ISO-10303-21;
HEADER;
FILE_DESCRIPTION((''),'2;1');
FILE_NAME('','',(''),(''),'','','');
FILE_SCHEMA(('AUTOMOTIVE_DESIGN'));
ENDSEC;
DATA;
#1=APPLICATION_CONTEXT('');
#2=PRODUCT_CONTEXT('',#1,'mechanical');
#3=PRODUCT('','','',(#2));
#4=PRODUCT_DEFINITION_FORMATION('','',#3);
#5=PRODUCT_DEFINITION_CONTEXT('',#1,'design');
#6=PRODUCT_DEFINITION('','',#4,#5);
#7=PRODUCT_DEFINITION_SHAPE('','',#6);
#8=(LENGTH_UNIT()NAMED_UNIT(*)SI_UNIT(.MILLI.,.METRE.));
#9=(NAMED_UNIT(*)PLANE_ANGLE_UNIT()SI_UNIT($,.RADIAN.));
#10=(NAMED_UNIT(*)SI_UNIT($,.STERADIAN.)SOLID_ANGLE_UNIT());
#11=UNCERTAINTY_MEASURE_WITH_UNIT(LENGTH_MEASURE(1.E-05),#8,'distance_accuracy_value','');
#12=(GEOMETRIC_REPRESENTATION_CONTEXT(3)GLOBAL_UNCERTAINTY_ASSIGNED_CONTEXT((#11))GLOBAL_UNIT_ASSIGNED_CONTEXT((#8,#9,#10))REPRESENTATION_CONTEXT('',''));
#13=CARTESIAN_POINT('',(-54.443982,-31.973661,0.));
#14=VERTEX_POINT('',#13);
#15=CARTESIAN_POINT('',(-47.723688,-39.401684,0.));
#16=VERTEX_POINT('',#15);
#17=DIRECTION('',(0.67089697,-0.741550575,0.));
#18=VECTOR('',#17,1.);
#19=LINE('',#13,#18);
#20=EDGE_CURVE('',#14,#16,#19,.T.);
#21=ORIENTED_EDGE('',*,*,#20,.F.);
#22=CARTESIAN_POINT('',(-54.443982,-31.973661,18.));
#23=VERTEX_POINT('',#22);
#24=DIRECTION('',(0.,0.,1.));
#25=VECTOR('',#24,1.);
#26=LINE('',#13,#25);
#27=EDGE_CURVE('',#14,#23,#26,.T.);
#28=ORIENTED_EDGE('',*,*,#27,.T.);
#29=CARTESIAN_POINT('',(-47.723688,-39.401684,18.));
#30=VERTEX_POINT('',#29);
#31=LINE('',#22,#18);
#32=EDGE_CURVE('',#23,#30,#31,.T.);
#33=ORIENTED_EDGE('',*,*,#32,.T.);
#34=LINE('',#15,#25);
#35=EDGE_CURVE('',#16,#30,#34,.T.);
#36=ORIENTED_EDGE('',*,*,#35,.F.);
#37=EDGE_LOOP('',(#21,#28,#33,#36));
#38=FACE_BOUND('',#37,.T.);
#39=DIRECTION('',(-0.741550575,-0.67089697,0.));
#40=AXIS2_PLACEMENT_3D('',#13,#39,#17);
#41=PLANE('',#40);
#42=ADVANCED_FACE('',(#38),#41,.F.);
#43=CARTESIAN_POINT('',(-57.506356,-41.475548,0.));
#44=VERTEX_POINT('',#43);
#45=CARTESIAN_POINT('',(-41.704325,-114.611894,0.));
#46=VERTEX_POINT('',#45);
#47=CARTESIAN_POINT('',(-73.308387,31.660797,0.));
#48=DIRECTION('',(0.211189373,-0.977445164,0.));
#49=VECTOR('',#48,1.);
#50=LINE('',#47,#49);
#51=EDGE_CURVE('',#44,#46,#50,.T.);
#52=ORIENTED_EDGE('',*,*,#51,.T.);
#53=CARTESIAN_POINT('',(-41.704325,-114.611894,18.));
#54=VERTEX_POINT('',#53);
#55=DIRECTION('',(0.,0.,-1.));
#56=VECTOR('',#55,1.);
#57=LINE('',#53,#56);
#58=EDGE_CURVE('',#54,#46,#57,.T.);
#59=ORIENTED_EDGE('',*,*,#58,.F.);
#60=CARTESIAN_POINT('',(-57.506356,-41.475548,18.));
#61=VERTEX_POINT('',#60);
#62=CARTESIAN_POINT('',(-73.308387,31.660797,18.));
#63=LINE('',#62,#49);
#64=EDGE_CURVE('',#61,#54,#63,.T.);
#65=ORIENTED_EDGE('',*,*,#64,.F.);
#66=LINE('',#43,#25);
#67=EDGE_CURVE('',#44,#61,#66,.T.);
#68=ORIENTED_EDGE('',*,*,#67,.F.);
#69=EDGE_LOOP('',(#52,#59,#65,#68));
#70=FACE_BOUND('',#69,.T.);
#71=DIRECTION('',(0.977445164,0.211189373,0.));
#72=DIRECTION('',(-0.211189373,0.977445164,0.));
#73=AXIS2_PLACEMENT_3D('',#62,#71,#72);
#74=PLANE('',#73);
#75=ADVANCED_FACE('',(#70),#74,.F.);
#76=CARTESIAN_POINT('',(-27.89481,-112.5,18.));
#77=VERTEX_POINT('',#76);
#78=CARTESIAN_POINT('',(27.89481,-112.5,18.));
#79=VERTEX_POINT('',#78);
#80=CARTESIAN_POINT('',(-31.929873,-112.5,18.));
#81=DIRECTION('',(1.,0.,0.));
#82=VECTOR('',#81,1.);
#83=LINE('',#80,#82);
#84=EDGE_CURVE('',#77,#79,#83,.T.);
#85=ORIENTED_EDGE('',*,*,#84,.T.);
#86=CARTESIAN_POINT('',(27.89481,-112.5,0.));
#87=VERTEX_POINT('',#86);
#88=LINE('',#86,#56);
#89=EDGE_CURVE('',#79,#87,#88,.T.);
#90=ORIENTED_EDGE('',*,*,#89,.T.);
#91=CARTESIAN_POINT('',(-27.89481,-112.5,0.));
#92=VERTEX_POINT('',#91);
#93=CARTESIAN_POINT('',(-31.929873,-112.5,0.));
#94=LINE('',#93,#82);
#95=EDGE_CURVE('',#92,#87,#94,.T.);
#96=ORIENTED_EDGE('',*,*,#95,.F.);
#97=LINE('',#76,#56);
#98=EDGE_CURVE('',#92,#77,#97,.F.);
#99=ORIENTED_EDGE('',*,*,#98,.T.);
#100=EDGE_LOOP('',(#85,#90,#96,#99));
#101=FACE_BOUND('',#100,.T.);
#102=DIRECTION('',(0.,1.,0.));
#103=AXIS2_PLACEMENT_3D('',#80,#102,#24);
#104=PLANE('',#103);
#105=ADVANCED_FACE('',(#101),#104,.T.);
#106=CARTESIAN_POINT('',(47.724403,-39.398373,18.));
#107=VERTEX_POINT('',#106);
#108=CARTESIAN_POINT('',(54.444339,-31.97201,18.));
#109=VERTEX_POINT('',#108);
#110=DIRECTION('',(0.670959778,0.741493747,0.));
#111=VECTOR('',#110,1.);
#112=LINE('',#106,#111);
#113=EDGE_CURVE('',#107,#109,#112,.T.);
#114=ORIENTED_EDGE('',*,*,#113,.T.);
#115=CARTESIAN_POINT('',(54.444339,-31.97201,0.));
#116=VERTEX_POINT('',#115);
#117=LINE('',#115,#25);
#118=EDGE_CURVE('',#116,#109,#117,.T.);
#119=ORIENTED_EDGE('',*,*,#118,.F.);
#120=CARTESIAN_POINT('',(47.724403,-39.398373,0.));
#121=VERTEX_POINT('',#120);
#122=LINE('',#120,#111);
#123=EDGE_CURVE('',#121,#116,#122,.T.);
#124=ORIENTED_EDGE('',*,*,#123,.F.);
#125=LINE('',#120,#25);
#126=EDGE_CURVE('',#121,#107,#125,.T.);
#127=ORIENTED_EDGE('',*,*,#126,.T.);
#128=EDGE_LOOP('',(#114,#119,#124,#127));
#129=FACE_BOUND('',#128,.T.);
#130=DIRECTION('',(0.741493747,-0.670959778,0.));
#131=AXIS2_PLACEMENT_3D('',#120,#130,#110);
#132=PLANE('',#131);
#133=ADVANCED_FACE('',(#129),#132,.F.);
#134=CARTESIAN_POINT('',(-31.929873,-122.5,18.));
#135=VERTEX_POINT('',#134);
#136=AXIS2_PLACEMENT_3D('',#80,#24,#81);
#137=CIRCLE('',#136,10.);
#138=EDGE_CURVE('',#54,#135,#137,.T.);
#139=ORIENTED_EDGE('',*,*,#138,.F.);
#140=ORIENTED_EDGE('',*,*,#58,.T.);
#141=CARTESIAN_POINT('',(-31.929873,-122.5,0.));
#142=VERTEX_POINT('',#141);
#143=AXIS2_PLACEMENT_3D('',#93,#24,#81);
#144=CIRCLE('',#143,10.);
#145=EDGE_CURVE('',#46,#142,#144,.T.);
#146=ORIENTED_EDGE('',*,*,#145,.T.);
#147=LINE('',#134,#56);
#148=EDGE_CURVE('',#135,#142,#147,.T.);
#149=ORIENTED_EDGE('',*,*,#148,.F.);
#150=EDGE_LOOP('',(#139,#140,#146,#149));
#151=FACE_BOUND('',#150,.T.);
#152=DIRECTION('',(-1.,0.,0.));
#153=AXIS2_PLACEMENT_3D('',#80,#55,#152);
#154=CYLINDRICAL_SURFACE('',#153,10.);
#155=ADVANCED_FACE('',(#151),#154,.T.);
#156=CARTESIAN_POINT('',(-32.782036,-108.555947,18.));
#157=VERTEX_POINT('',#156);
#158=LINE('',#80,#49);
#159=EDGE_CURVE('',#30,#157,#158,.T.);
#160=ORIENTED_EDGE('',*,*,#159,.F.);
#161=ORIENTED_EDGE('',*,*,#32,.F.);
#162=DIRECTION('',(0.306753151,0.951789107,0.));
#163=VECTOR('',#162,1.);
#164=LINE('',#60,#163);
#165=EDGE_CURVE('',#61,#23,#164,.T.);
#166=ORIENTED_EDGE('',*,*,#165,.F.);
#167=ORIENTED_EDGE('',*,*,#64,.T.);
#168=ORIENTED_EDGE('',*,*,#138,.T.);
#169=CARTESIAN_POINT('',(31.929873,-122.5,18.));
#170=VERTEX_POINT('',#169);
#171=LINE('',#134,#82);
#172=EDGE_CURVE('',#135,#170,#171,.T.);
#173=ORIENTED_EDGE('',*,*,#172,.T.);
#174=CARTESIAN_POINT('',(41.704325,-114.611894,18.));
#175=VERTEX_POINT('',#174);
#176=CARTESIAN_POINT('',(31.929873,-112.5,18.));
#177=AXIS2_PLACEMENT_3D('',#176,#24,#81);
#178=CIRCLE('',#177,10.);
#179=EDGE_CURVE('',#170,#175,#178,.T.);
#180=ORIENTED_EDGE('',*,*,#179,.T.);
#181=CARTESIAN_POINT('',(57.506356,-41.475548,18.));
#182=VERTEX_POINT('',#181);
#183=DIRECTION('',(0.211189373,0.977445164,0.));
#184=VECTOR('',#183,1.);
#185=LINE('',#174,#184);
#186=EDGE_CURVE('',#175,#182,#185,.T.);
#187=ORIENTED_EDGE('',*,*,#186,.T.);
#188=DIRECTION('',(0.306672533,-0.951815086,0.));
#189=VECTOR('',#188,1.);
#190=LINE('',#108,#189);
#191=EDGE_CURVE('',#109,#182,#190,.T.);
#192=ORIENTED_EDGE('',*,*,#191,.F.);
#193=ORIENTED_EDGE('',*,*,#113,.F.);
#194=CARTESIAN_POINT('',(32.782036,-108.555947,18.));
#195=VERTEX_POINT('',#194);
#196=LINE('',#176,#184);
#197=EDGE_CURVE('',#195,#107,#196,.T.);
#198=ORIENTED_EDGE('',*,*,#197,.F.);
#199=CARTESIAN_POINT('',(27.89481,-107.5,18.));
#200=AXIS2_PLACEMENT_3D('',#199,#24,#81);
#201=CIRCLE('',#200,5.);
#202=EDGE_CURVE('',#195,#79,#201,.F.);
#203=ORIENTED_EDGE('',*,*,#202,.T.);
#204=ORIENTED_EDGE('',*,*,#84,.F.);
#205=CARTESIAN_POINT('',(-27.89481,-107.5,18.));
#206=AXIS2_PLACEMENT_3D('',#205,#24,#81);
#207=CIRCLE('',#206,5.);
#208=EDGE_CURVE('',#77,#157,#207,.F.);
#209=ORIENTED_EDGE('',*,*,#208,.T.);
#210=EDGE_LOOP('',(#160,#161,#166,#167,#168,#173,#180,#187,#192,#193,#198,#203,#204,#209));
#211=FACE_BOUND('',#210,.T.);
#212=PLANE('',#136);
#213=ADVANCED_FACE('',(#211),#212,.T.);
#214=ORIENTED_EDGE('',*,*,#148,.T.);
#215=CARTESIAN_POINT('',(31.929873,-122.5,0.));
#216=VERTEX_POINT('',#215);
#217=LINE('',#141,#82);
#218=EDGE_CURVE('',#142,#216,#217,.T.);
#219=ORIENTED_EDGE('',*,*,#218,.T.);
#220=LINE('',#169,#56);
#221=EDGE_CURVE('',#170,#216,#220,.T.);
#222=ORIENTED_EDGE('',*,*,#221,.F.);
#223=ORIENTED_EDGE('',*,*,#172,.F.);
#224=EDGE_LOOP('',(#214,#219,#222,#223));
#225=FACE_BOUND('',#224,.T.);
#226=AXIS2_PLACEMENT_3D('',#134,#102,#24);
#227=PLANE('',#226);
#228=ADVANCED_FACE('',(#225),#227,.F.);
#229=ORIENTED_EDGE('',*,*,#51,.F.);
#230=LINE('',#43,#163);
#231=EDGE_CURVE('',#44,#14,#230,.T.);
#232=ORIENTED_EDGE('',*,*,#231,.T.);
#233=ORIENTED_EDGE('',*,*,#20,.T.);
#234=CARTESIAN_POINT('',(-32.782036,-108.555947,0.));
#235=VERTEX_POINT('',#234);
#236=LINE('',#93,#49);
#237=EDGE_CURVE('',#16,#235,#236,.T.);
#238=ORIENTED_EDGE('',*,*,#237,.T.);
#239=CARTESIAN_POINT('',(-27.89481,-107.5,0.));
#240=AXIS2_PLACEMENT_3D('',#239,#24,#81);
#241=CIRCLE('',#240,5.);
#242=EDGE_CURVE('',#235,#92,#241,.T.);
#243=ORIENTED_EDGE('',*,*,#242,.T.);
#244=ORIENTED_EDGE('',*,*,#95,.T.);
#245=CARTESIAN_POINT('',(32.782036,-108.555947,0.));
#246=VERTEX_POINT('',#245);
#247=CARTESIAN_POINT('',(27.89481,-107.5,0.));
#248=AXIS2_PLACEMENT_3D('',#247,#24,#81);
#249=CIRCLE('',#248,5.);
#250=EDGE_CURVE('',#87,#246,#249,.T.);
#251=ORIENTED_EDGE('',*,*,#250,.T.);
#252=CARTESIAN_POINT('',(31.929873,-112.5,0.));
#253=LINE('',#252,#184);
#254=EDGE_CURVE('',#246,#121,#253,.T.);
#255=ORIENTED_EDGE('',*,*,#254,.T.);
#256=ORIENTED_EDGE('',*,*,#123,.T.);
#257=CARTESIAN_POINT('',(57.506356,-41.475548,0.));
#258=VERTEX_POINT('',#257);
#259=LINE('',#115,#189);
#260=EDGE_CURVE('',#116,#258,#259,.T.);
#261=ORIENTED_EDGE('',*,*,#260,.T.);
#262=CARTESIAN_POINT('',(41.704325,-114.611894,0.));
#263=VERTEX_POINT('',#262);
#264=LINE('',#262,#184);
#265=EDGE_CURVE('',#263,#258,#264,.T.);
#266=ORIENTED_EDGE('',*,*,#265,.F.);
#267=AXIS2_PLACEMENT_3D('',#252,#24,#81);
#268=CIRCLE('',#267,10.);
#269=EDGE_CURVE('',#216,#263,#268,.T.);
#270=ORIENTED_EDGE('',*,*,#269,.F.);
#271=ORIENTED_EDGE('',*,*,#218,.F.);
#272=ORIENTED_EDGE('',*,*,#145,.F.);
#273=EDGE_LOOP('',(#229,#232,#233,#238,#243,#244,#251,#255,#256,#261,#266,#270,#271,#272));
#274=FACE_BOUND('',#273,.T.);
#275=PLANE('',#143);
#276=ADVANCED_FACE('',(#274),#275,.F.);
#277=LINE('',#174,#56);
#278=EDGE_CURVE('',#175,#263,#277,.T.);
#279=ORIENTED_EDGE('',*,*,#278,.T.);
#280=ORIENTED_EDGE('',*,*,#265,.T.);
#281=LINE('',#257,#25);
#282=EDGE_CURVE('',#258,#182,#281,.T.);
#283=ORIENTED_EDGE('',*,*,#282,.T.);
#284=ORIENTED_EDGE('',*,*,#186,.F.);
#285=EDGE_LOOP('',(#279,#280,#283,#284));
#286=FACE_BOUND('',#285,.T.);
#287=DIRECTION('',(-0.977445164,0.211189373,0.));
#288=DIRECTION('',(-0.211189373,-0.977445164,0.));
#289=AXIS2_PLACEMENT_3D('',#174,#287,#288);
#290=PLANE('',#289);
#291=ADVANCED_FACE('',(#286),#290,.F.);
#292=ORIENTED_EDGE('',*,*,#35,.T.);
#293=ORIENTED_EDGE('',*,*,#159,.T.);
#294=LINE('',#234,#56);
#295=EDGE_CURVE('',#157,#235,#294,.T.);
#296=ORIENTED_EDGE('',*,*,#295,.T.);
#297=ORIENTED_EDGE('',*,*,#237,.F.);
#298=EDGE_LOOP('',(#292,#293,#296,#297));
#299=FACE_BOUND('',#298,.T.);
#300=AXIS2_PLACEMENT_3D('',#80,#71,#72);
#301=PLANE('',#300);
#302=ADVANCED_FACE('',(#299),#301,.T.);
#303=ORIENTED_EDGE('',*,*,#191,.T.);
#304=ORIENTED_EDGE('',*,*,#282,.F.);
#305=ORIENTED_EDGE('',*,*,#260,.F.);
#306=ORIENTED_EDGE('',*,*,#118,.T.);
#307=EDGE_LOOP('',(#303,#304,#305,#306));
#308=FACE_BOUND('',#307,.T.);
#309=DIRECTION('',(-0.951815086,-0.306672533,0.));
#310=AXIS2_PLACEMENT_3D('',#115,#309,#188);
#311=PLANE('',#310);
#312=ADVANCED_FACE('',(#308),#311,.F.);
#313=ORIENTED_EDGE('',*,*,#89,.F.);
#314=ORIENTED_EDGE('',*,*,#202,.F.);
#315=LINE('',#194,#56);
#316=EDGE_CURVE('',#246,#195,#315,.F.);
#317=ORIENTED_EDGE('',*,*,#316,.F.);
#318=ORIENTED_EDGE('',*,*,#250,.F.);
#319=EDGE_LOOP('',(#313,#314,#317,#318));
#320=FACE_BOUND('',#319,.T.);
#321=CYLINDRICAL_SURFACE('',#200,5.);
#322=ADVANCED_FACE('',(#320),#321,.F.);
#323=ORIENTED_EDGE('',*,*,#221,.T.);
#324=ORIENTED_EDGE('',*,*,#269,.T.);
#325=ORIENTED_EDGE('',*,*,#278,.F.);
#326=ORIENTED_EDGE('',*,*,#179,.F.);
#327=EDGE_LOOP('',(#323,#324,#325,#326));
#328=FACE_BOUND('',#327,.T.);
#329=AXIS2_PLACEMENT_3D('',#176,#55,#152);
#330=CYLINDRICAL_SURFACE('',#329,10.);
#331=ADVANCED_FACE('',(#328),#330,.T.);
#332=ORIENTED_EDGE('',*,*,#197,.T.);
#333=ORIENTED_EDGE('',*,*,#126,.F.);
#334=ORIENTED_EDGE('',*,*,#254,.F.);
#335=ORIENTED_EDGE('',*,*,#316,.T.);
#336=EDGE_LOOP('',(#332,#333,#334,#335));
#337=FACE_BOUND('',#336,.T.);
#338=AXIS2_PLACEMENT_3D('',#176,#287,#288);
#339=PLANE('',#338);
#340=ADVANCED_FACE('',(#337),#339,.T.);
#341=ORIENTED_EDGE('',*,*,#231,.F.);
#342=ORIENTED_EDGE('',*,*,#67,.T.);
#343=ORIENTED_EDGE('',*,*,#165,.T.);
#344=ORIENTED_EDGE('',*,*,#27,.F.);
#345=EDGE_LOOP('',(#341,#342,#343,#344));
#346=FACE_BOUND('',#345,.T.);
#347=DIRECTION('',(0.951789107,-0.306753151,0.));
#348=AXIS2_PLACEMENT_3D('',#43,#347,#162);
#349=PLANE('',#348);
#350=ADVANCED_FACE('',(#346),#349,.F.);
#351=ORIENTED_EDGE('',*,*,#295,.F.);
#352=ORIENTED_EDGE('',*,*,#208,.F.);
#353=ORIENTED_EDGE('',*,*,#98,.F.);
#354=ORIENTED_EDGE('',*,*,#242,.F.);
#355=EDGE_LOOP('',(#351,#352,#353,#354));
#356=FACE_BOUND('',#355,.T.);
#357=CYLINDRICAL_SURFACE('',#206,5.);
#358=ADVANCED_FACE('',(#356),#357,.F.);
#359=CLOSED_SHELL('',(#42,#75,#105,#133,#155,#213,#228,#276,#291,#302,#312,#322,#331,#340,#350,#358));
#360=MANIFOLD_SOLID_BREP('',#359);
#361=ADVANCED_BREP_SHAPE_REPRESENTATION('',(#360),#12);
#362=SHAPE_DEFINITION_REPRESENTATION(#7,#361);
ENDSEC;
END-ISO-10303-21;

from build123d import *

# Parameters (mm, degrees)
SKETCH3_R           = 4.5
BOSS_EXTRUDE1_DEPTH = 18
FILLET1_R           = 5
FILLET2_R           = 5
CUT_EXTRUDE2_DEPTH  = 19.0000001


with BuildPart() as part:
    # Sketch3 → Boss-Extrude1 (new body)
    with BuildSketch(Plane.XY):
        with BuildLine():
            Line((-31.929873349, -122.5), (31.929873349, -122.5))
            ThreePointArc((31.929873349, -122.5), (38.210043039, -120.281996444), (41.704324989, -114.611893732))
            Line((41.704324989, -114.611893732), (73.308387301, 31.660797012))
            ThreePointArc((73.308387301, 31.660797012), (0, 122.5), (-73.308387301, 31.660797012))
            Line((-73.308387301, 31.660797012), (-41.704324989, -114.611893732))
            ThreePointArc((-41.704324989, -114.611893732), (-38.210043039, -120.281996444), (-31.929873349, -122.5))
        make_face()
        with Locations((50, -12.5)):
            Circle(SKETCH3_R, mode=Mode.SUBTRACT)
        with Locations((50, 87.5)):
            Circle(SKETCH3_R, mode=Mode.SUBTRACT)
        with Locations((-50, 87.5)):
            Circle(SKETCH3_R, mode=Mode.SUBTRACT)
        with Locations((-50, -12.5)):
            Circle(SKETCH3_R, mode=Mode.SUBTRACT)
        with BuildLine():
            Line((-31.929873349, -112.5), (-51.284518999, -22.921132901))
            ThreePointArc((-51.284518999, -22.921132901), (-39.736825778, -10.282511582), (-55.472323677, -3.538768301))
            Line((-55.472323677, -3.538768301), (-63.533935661, 33.772690744))
            ThreePointArc((-63.533935661, 33.772690744), (-64.271528905, 57.204152316), (-56.648842383, 79.373322021))
            ThreePointArc((-56.648842383, 79.373322021), (-41.800877501, 80.940702001), (-43.531035666, 95.770580418))
            ThreePointArc((-43.531035666, 95.770580418), (0, 112.5), (43.531035666, 95.770580418))
            ThreePointArc((43.531035666, 95.770580418), (41.800877501, 80.940702001), (56.648842383, 79.373322021))
            ThreePointArc((56.648842383, 79.373322021), (64.271528905, 57.204152316), (63.533935661, 33.772690744))
            Line((63.533935661, 33.772690744), (55.472323677, -3.538768301))
            ThreePointArc((55.472323677, -3.538768301), (39.736825778, -10.282511582), (51.284518999, -22.921132901))
            Line((51.284518999, -22.921132901), (31.929873349, -112.5))
            Line((31.929873349, -112.5), (-31.929873349, -112.5))
        make_face(mode=Mode.SUBTRACT)
    extrude(amount=BOSS_EXTRUDE1_DEPTH)

    # Fillet1
    fillet1_edges = [part.edges().sort_by_distance(p)[0] for p in [
        (-31.929873349, -112.5, 9),
        (31.929873349, -112.5, 9),
    ]]
    fillet(fillet1_edges, radius=FILLET1_R)

    # Fillet2
    fillet2_edges = [part.edges().sort_by_distance(p)[0] for p in [
        (51.284518999, -22.921132901, 9),
        (55.472323677, -3.538768301, 9),
        (56.648842383, 79.373322021, 9),
        (43.531035666, 95.770580418, 9),
        (-43.531035666, 95.770580418, 9),
        (-56.648842383, 79.373322021, 9),
        (-55.472323677, -3.538768301, 9),
        (-51.284518999, -22.921132901, 9),
    ]]
    fillet(fillet2_edges, radius=FILLET2_R)

    # Sketch5 → Cut-Extrude2 (cut, through all)
    with BuildSketch(Plane.XY.offset(18)):
        Polygon((47.724403212, -39.39837277), (54.444339069, -31.972010438), (57.506356145, -41.47554836), (172.58444794, 157.130363262), (-148.336678287, 157.130363262), (-57.506356145, -41.47554836), (-54.443982463, -31.973660914), (-47.723687693, -39.401684395), align=None)
    extrude(amount=-CUT_EXTRUDE2_DEPTH, mode=Mode.SUBTRACT)


solid = part.part
